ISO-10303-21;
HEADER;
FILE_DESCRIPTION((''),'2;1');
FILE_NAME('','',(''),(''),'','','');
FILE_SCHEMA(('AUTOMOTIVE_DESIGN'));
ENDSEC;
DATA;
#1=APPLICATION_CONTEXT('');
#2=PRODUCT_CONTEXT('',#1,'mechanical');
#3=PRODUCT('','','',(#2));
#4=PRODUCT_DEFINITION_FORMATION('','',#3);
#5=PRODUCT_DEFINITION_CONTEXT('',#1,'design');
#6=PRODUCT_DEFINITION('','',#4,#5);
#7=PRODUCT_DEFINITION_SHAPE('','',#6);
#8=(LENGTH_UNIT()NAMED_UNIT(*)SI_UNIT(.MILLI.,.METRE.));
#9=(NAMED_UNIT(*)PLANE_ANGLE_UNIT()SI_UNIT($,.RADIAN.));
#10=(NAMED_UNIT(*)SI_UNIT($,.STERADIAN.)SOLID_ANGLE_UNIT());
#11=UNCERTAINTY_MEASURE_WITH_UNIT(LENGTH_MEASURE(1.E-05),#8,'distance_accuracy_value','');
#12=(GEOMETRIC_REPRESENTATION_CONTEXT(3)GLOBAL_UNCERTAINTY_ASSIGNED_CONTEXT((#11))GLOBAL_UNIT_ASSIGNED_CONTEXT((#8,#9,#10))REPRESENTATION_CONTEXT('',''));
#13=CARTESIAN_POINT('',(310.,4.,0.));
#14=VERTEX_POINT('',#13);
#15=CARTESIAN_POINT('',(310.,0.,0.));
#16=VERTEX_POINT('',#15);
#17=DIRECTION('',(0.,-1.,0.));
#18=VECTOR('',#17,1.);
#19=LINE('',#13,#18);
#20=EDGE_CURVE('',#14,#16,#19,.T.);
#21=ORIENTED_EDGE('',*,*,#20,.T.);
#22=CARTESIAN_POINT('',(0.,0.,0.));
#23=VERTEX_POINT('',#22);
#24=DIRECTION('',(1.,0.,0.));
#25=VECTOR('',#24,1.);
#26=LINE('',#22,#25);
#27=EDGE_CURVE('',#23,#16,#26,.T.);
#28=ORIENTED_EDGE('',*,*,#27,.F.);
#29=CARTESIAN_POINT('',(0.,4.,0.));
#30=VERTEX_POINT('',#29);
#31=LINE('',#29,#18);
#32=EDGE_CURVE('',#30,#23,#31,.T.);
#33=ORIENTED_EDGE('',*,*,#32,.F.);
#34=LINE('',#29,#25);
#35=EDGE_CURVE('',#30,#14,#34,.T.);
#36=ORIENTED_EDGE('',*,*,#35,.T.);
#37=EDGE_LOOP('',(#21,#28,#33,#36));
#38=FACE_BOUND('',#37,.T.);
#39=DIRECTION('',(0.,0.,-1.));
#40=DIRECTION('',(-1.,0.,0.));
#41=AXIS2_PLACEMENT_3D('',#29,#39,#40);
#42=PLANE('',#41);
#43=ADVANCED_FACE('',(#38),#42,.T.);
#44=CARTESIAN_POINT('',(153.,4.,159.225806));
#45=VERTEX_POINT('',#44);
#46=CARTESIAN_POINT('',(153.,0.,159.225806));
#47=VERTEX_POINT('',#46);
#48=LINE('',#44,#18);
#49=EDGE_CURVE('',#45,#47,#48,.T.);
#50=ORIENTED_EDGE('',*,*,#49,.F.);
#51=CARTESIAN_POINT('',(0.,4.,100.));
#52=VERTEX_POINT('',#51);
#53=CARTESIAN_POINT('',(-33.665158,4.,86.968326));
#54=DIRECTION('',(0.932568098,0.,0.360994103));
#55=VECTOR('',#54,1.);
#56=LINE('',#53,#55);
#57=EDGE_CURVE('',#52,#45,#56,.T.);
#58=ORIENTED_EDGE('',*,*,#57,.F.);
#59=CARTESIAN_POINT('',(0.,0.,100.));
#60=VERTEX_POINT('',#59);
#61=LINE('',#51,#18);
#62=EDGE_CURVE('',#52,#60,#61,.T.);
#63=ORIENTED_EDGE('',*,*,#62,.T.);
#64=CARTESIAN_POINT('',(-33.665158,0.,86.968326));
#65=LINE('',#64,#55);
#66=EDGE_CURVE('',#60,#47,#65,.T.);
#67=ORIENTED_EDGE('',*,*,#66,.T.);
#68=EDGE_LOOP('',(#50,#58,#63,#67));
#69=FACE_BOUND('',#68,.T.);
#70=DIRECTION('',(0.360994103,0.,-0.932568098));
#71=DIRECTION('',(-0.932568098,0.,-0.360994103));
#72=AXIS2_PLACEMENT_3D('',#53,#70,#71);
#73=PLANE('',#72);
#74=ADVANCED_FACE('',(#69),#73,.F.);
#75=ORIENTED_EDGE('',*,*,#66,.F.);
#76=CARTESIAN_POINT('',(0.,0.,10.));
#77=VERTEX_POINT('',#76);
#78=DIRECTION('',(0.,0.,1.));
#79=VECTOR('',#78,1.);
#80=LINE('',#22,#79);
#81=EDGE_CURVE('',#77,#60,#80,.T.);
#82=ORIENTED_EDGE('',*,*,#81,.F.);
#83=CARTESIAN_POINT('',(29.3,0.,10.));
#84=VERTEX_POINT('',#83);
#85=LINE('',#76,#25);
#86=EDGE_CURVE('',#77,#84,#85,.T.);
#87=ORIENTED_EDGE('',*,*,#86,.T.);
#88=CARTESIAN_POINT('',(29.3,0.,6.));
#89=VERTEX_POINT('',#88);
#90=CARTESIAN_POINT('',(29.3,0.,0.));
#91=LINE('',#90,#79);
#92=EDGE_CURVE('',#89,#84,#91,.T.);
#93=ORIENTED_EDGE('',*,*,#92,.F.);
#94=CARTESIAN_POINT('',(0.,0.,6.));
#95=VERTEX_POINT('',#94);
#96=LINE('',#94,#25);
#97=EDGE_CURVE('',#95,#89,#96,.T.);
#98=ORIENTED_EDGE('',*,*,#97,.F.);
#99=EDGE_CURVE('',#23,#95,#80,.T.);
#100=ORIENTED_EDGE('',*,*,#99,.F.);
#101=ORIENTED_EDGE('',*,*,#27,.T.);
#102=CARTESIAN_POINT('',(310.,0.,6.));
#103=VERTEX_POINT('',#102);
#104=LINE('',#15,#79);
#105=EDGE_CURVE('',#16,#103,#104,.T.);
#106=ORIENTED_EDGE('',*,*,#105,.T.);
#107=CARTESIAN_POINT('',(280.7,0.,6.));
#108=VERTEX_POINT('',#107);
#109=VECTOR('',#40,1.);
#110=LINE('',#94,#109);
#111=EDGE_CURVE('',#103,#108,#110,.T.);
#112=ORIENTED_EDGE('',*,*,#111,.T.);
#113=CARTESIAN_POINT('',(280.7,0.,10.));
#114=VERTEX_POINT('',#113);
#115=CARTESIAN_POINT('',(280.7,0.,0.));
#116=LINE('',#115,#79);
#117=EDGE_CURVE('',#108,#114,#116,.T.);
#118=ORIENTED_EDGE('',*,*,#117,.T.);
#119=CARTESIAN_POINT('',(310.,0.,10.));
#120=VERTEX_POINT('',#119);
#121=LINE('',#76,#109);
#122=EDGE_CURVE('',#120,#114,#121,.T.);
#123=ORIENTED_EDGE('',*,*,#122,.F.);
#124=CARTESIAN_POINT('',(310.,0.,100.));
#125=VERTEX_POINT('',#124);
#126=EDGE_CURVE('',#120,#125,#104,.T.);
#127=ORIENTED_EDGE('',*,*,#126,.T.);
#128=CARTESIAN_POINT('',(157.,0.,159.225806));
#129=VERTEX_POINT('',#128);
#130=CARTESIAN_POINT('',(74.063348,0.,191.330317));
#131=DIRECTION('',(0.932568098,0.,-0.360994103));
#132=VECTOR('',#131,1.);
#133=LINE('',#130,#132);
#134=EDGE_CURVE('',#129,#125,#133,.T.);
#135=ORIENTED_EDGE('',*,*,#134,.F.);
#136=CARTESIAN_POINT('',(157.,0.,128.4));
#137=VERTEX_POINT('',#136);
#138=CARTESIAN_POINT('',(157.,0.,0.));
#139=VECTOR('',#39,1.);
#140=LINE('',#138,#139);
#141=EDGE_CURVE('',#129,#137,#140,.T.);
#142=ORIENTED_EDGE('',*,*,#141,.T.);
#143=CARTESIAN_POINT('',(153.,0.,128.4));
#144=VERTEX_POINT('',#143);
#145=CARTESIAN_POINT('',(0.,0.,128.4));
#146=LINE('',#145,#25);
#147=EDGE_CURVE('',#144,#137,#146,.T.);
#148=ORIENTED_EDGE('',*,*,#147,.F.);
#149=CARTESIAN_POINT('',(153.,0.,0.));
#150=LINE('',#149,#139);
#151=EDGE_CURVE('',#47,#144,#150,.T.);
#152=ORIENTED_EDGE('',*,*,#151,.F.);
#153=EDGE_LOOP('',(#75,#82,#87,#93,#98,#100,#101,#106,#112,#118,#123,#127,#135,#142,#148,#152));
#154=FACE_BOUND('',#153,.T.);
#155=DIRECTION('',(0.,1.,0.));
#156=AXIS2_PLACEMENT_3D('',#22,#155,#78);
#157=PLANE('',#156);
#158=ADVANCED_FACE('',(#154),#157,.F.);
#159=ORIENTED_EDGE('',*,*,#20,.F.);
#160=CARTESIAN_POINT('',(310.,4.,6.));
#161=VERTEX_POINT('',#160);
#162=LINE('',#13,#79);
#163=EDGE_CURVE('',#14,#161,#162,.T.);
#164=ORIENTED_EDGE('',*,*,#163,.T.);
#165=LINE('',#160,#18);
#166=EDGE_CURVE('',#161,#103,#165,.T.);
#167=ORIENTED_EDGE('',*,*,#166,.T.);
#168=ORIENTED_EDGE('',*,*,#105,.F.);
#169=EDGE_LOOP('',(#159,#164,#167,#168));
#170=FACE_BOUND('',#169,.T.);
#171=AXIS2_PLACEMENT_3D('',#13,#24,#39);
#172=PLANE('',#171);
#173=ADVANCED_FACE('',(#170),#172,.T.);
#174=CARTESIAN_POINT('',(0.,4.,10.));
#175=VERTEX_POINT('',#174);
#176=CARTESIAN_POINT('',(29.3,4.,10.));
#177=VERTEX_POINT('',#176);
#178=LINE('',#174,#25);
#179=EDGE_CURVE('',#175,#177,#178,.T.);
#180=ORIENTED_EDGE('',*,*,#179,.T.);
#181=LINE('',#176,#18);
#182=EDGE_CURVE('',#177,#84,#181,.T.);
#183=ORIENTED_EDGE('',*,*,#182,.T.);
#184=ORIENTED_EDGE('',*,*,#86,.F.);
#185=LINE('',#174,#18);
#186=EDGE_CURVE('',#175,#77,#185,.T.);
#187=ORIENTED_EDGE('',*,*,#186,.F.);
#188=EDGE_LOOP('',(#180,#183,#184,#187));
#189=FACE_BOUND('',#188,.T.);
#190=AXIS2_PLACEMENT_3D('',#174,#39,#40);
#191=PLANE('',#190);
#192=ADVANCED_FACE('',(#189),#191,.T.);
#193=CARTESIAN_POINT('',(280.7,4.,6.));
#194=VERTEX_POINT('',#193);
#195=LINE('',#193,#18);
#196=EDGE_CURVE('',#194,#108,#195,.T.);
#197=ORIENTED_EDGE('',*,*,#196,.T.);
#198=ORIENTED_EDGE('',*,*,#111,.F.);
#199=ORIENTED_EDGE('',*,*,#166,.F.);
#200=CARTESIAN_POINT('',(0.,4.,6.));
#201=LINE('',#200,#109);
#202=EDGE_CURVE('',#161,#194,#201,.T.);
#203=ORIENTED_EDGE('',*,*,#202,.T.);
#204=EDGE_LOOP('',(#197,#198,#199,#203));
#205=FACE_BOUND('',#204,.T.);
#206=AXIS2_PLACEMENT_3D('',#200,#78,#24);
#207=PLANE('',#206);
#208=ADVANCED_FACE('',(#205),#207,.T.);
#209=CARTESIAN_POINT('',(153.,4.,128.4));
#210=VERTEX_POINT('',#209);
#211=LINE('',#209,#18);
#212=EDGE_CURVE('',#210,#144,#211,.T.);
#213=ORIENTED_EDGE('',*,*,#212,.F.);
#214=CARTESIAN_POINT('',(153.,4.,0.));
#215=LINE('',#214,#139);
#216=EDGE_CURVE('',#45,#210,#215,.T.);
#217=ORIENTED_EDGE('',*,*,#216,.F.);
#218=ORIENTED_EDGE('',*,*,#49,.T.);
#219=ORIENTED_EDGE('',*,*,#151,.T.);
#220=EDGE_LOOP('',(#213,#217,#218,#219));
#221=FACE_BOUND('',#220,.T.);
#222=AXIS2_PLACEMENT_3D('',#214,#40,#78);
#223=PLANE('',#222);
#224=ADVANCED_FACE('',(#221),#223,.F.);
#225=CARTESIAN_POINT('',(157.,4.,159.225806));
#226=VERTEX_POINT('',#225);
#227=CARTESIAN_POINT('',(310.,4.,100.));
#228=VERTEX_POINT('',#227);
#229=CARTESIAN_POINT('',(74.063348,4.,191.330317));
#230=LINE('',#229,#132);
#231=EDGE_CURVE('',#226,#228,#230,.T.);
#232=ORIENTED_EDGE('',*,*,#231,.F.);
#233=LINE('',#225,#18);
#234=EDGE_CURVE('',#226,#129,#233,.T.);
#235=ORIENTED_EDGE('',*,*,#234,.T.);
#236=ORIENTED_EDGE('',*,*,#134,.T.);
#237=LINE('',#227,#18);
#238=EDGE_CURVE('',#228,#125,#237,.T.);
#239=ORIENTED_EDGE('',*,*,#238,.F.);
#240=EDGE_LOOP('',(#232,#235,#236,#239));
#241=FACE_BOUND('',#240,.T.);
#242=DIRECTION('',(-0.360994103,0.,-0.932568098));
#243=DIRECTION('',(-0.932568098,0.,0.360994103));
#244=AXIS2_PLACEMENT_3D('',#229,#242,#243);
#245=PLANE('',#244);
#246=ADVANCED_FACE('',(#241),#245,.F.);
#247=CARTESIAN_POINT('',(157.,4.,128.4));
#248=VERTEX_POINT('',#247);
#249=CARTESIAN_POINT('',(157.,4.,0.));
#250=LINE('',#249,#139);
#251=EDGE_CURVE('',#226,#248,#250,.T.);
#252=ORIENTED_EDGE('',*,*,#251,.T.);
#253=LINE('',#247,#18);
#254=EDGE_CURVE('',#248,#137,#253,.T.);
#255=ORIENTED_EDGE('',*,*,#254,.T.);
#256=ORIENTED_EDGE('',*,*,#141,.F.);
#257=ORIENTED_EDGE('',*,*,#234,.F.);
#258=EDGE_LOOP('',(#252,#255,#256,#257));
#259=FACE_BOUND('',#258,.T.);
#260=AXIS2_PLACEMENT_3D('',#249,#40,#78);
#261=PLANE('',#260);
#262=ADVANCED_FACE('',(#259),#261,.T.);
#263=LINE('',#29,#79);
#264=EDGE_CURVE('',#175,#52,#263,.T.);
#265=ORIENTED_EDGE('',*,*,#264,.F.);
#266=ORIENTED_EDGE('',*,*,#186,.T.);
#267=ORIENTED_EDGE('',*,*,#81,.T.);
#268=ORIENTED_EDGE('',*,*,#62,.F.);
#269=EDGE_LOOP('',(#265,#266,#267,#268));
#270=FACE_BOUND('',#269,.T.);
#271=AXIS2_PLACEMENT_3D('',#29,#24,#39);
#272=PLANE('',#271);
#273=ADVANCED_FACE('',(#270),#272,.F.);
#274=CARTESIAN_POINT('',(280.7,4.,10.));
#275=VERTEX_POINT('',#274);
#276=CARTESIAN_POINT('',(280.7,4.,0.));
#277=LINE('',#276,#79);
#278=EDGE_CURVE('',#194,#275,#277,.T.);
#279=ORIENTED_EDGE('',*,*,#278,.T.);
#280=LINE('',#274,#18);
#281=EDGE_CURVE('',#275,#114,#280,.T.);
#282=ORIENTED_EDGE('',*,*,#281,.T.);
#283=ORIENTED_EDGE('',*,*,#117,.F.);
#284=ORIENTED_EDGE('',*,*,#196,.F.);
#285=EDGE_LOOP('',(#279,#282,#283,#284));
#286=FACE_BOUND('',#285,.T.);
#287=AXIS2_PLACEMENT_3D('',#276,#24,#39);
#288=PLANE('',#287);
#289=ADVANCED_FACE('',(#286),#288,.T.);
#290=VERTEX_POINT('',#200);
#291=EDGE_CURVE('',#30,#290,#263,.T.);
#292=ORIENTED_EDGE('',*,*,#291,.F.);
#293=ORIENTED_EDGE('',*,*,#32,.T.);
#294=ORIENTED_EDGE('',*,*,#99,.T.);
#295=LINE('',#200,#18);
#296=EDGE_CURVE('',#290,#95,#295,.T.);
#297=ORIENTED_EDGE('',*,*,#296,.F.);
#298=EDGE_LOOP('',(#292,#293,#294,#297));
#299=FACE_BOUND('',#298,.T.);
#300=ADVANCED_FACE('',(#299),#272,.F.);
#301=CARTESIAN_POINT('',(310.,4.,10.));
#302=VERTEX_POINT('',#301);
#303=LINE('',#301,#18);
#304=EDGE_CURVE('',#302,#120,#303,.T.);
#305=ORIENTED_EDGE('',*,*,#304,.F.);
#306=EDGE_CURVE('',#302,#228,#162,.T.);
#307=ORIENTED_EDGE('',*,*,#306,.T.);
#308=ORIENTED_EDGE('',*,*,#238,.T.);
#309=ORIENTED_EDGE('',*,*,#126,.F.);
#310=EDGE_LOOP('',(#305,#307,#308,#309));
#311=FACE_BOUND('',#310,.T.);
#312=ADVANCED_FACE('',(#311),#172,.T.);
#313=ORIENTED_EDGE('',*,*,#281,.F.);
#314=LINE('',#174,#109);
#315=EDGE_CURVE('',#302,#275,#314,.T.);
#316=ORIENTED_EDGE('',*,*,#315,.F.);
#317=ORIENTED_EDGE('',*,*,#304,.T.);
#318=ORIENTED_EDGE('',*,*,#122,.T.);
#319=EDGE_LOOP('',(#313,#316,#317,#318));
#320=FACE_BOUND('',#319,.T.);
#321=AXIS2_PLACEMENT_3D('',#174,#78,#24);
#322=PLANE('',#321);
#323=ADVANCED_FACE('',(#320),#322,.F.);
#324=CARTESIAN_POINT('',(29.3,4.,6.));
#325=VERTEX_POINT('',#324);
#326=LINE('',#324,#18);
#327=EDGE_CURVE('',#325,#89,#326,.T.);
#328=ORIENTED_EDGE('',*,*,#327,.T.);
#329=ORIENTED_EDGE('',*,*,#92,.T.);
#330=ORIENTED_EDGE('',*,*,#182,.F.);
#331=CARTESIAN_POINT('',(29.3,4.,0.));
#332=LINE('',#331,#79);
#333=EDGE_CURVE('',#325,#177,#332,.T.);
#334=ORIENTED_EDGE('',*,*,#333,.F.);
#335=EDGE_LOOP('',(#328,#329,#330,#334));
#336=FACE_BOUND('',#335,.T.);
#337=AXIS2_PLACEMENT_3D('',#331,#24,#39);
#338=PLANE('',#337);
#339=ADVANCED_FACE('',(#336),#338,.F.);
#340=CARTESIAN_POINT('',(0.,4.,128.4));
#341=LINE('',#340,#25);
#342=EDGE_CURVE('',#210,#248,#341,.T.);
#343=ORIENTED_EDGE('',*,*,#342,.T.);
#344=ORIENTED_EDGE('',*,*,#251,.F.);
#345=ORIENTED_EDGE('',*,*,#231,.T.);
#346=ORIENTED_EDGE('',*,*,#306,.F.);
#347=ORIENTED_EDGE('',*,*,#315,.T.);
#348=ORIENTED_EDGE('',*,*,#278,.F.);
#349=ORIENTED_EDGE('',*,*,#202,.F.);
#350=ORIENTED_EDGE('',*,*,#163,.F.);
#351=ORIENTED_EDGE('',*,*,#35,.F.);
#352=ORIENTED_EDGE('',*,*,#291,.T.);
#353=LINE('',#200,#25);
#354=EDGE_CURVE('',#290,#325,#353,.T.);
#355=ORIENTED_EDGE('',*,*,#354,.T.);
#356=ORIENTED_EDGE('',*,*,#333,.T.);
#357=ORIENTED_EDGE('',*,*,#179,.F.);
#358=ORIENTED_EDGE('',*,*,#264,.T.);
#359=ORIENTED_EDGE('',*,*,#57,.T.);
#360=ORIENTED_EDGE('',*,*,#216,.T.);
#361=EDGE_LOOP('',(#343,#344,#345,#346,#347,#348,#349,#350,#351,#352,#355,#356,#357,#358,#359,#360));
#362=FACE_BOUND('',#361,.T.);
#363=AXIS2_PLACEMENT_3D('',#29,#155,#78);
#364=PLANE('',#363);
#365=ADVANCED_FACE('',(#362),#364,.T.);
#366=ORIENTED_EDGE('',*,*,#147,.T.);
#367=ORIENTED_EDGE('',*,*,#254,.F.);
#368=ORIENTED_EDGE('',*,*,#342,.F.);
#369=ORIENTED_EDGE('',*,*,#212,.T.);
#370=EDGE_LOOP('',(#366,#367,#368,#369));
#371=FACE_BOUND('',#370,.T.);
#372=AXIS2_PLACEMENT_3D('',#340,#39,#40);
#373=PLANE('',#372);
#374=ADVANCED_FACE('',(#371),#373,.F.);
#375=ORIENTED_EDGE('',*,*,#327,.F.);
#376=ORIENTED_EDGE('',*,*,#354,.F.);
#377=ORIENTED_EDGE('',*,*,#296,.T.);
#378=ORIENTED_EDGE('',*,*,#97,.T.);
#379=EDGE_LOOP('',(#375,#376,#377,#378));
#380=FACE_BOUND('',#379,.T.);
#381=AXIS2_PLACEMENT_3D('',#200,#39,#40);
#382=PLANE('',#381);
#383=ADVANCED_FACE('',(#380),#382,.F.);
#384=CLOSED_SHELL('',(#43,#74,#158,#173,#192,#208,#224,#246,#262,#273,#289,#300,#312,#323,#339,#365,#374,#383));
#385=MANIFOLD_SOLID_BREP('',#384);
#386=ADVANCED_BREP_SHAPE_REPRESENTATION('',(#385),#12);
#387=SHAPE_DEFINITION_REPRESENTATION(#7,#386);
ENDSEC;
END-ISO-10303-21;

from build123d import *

# Parameters (mm, degrees)
BOSS_EXTRUDE1_DEPTH = 4


with BuildPart() as part:
    # Sketch1 → Boss-Extrude1 (new body)
    with BuildSketch(Plane(origin=(0, 0, 0), x_dir=(1, 0, 0), z_dir=(0, 1, 0))):
        Polygon((310, -100), (310, -10), (280.7, -10), (280.7, -6), (310, -6), (310, 0), (0, 0), (0, -6), (29.3, -6), (29.3, -10), (0, -10), (0, -100), (153, -159.225806452), (153, -128.4), (157, -128.4), (157, -159.225806452), align=None)
    extrude(amount=BOSS_EXTRUDE1_DEPTH)


solid = part.part
